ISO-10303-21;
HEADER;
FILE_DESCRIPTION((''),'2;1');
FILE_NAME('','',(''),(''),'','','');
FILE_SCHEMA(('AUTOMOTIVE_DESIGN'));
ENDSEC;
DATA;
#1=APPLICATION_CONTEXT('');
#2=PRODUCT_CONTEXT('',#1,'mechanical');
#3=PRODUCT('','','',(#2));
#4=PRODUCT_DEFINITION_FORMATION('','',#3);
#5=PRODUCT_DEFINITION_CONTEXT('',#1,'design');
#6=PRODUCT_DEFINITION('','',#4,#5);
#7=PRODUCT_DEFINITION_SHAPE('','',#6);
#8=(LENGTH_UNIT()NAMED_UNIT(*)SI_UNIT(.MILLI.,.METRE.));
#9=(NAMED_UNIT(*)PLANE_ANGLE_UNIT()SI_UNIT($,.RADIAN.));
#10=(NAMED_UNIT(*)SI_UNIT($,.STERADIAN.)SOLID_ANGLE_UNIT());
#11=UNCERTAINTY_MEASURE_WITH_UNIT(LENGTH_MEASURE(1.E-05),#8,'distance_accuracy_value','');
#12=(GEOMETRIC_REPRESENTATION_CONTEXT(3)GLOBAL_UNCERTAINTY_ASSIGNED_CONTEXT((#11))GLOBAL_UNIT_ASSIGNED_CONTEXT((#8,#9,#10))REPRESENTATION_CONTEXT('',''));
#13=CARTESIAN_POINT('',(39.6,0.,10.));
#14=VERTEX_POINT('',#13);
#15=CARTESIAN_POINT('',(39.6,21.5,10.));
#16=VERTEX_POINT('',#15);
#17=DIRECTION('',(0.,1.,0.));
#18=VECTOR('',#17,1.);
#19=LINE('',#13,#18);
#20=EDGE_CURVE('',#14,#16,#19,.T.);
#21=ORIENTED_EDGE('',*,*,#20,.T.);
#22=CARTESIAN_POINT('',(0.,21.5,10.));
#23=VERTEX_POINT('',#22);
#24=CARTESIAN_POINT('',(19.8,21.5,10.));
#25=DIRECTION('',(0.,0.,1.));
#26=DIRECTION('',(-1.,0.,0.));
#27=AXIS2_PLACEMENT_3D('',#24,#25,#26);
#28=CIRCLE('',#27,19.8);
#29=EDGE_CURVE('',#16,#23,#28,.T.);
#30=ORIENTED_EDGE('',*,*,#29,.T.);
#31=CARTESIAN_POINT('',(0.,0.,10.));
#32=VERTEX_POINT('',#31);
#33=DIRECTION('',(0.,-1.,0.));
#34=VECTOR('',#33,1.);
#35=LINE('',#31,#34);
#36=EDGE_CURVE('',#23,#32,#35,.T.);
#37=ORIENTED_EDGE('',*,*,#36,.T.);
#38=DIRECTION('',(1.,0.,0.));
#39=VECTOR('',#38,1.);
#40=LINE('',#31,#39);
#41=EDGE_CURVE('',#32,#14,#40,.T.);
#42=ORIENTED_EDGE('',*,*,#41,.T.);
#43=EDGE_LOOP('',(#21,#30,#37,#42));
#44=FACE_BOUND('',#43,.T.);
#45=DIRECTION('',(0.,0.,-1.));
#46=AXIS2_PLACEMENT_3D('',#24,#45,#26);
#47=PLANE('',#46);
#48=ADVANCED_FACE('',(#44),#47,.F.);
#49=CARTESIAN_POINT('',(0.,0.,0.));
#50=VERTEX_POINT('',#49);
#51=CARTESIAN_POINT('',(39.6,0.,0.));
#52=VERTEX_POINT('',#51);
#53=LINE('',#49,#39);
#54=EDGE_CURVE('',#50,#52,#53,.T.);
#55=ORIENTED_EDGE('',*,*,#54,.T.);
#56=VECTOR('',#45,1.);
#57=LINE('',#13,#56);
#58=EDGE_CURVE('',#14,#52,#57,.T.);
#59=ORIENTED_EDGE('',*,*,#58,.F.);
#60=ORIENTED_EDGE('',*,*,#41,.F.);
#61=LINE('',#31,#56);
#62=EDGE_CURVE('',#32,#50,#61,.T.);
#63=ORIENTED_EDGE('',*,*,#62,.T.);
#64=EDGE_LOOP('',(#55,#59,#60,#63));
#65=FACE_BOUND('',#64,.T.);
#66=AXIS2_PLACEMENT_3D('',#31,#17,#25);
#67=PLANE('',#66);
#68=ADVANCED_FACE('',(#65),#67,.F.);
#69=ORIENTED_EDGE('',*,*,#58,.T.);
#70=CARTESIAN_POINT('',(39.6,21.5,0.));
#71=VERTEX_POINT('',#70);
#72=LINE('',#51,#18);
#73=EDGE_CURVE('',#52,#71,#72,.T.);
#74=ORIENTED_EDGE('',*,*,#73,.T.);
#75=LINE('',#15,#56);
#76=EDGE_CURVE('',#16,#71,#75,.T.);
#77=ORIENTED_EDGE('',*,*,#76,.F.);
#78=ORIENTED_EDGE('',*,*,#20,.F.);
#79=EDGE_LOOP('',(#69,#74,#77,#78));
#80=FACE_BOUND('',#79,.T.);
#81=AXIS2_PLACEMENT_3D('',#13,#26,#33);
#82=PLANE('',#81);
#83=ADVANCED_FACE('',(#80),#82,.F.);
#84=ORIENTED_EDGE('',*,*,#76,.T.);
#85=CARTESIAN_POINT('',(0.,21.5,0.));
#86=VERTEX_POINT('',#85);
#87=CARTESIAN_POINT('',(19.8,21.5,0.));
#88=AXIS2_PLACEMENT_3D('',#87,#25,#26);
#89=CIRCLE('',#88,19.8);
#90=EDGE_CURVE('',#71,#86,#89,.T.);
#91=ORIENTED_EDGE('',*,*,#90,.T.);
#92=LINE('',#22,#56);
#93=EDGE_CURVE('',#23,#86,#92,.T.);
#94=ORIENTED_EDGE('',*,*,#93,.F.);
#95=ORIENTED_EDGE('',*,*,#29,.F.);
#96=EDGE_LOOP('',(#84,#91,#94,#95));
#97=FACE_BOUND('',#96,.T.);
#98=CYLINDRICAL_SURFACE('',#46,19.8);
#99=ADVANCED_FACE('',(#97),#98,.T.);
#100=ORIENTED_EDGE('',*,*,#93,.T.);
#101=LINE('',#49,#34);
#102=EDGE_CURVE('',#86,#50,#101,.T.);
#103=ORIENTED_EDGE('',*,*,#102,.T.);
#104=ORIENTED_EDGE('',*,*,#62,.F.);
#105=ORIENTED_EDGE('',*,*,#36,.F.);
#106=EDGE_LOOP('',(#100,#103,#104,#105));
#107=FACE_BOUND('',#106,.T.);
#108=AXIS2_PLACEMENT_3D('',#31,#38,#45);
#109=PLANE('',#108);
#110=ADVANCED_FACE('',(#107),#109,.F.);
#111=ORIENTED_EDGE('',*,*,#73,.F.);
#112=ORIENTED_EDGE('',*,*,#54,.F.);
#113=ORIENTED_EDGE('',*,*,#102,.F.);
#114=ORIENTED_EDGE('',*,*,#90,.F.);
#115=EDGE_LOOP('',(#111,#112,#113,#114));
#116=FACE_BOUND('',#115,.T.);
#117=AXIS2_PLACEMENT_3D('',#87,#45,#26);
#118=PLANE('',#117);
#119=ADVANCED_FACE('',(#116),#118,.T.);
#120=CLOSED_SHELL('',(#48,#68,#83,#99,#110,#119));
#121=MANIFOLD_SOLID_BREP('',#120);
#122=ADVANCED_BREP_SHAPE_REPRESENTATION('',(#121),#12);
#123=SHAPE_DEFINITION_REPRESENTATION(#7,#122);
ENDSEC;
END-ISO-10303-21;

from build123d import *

# Parameters (mm, degrees)
DODANIE_WYCI_GNI_CIE1_DEPTH = 10


with BuildPart() as part:
    # Szkic1 → Dodanie-wyciągnięcie1 (new body)
    with BuildSketch(Plane.XY):
        with BuildLine():
            Line((0, 0), (39.6, 0))
            Line((39.6, 0), (39.6, 21.5))
            ThreePointArc((39.6, 21.5), (19.8, 41.3), (0, 21.5))
            Line((0, 21.5), (0, 0))
        make_face()
    extrude(amount=DODANIE_WYCI_GNI_CIE1_DEPTH)


solid = part.part
